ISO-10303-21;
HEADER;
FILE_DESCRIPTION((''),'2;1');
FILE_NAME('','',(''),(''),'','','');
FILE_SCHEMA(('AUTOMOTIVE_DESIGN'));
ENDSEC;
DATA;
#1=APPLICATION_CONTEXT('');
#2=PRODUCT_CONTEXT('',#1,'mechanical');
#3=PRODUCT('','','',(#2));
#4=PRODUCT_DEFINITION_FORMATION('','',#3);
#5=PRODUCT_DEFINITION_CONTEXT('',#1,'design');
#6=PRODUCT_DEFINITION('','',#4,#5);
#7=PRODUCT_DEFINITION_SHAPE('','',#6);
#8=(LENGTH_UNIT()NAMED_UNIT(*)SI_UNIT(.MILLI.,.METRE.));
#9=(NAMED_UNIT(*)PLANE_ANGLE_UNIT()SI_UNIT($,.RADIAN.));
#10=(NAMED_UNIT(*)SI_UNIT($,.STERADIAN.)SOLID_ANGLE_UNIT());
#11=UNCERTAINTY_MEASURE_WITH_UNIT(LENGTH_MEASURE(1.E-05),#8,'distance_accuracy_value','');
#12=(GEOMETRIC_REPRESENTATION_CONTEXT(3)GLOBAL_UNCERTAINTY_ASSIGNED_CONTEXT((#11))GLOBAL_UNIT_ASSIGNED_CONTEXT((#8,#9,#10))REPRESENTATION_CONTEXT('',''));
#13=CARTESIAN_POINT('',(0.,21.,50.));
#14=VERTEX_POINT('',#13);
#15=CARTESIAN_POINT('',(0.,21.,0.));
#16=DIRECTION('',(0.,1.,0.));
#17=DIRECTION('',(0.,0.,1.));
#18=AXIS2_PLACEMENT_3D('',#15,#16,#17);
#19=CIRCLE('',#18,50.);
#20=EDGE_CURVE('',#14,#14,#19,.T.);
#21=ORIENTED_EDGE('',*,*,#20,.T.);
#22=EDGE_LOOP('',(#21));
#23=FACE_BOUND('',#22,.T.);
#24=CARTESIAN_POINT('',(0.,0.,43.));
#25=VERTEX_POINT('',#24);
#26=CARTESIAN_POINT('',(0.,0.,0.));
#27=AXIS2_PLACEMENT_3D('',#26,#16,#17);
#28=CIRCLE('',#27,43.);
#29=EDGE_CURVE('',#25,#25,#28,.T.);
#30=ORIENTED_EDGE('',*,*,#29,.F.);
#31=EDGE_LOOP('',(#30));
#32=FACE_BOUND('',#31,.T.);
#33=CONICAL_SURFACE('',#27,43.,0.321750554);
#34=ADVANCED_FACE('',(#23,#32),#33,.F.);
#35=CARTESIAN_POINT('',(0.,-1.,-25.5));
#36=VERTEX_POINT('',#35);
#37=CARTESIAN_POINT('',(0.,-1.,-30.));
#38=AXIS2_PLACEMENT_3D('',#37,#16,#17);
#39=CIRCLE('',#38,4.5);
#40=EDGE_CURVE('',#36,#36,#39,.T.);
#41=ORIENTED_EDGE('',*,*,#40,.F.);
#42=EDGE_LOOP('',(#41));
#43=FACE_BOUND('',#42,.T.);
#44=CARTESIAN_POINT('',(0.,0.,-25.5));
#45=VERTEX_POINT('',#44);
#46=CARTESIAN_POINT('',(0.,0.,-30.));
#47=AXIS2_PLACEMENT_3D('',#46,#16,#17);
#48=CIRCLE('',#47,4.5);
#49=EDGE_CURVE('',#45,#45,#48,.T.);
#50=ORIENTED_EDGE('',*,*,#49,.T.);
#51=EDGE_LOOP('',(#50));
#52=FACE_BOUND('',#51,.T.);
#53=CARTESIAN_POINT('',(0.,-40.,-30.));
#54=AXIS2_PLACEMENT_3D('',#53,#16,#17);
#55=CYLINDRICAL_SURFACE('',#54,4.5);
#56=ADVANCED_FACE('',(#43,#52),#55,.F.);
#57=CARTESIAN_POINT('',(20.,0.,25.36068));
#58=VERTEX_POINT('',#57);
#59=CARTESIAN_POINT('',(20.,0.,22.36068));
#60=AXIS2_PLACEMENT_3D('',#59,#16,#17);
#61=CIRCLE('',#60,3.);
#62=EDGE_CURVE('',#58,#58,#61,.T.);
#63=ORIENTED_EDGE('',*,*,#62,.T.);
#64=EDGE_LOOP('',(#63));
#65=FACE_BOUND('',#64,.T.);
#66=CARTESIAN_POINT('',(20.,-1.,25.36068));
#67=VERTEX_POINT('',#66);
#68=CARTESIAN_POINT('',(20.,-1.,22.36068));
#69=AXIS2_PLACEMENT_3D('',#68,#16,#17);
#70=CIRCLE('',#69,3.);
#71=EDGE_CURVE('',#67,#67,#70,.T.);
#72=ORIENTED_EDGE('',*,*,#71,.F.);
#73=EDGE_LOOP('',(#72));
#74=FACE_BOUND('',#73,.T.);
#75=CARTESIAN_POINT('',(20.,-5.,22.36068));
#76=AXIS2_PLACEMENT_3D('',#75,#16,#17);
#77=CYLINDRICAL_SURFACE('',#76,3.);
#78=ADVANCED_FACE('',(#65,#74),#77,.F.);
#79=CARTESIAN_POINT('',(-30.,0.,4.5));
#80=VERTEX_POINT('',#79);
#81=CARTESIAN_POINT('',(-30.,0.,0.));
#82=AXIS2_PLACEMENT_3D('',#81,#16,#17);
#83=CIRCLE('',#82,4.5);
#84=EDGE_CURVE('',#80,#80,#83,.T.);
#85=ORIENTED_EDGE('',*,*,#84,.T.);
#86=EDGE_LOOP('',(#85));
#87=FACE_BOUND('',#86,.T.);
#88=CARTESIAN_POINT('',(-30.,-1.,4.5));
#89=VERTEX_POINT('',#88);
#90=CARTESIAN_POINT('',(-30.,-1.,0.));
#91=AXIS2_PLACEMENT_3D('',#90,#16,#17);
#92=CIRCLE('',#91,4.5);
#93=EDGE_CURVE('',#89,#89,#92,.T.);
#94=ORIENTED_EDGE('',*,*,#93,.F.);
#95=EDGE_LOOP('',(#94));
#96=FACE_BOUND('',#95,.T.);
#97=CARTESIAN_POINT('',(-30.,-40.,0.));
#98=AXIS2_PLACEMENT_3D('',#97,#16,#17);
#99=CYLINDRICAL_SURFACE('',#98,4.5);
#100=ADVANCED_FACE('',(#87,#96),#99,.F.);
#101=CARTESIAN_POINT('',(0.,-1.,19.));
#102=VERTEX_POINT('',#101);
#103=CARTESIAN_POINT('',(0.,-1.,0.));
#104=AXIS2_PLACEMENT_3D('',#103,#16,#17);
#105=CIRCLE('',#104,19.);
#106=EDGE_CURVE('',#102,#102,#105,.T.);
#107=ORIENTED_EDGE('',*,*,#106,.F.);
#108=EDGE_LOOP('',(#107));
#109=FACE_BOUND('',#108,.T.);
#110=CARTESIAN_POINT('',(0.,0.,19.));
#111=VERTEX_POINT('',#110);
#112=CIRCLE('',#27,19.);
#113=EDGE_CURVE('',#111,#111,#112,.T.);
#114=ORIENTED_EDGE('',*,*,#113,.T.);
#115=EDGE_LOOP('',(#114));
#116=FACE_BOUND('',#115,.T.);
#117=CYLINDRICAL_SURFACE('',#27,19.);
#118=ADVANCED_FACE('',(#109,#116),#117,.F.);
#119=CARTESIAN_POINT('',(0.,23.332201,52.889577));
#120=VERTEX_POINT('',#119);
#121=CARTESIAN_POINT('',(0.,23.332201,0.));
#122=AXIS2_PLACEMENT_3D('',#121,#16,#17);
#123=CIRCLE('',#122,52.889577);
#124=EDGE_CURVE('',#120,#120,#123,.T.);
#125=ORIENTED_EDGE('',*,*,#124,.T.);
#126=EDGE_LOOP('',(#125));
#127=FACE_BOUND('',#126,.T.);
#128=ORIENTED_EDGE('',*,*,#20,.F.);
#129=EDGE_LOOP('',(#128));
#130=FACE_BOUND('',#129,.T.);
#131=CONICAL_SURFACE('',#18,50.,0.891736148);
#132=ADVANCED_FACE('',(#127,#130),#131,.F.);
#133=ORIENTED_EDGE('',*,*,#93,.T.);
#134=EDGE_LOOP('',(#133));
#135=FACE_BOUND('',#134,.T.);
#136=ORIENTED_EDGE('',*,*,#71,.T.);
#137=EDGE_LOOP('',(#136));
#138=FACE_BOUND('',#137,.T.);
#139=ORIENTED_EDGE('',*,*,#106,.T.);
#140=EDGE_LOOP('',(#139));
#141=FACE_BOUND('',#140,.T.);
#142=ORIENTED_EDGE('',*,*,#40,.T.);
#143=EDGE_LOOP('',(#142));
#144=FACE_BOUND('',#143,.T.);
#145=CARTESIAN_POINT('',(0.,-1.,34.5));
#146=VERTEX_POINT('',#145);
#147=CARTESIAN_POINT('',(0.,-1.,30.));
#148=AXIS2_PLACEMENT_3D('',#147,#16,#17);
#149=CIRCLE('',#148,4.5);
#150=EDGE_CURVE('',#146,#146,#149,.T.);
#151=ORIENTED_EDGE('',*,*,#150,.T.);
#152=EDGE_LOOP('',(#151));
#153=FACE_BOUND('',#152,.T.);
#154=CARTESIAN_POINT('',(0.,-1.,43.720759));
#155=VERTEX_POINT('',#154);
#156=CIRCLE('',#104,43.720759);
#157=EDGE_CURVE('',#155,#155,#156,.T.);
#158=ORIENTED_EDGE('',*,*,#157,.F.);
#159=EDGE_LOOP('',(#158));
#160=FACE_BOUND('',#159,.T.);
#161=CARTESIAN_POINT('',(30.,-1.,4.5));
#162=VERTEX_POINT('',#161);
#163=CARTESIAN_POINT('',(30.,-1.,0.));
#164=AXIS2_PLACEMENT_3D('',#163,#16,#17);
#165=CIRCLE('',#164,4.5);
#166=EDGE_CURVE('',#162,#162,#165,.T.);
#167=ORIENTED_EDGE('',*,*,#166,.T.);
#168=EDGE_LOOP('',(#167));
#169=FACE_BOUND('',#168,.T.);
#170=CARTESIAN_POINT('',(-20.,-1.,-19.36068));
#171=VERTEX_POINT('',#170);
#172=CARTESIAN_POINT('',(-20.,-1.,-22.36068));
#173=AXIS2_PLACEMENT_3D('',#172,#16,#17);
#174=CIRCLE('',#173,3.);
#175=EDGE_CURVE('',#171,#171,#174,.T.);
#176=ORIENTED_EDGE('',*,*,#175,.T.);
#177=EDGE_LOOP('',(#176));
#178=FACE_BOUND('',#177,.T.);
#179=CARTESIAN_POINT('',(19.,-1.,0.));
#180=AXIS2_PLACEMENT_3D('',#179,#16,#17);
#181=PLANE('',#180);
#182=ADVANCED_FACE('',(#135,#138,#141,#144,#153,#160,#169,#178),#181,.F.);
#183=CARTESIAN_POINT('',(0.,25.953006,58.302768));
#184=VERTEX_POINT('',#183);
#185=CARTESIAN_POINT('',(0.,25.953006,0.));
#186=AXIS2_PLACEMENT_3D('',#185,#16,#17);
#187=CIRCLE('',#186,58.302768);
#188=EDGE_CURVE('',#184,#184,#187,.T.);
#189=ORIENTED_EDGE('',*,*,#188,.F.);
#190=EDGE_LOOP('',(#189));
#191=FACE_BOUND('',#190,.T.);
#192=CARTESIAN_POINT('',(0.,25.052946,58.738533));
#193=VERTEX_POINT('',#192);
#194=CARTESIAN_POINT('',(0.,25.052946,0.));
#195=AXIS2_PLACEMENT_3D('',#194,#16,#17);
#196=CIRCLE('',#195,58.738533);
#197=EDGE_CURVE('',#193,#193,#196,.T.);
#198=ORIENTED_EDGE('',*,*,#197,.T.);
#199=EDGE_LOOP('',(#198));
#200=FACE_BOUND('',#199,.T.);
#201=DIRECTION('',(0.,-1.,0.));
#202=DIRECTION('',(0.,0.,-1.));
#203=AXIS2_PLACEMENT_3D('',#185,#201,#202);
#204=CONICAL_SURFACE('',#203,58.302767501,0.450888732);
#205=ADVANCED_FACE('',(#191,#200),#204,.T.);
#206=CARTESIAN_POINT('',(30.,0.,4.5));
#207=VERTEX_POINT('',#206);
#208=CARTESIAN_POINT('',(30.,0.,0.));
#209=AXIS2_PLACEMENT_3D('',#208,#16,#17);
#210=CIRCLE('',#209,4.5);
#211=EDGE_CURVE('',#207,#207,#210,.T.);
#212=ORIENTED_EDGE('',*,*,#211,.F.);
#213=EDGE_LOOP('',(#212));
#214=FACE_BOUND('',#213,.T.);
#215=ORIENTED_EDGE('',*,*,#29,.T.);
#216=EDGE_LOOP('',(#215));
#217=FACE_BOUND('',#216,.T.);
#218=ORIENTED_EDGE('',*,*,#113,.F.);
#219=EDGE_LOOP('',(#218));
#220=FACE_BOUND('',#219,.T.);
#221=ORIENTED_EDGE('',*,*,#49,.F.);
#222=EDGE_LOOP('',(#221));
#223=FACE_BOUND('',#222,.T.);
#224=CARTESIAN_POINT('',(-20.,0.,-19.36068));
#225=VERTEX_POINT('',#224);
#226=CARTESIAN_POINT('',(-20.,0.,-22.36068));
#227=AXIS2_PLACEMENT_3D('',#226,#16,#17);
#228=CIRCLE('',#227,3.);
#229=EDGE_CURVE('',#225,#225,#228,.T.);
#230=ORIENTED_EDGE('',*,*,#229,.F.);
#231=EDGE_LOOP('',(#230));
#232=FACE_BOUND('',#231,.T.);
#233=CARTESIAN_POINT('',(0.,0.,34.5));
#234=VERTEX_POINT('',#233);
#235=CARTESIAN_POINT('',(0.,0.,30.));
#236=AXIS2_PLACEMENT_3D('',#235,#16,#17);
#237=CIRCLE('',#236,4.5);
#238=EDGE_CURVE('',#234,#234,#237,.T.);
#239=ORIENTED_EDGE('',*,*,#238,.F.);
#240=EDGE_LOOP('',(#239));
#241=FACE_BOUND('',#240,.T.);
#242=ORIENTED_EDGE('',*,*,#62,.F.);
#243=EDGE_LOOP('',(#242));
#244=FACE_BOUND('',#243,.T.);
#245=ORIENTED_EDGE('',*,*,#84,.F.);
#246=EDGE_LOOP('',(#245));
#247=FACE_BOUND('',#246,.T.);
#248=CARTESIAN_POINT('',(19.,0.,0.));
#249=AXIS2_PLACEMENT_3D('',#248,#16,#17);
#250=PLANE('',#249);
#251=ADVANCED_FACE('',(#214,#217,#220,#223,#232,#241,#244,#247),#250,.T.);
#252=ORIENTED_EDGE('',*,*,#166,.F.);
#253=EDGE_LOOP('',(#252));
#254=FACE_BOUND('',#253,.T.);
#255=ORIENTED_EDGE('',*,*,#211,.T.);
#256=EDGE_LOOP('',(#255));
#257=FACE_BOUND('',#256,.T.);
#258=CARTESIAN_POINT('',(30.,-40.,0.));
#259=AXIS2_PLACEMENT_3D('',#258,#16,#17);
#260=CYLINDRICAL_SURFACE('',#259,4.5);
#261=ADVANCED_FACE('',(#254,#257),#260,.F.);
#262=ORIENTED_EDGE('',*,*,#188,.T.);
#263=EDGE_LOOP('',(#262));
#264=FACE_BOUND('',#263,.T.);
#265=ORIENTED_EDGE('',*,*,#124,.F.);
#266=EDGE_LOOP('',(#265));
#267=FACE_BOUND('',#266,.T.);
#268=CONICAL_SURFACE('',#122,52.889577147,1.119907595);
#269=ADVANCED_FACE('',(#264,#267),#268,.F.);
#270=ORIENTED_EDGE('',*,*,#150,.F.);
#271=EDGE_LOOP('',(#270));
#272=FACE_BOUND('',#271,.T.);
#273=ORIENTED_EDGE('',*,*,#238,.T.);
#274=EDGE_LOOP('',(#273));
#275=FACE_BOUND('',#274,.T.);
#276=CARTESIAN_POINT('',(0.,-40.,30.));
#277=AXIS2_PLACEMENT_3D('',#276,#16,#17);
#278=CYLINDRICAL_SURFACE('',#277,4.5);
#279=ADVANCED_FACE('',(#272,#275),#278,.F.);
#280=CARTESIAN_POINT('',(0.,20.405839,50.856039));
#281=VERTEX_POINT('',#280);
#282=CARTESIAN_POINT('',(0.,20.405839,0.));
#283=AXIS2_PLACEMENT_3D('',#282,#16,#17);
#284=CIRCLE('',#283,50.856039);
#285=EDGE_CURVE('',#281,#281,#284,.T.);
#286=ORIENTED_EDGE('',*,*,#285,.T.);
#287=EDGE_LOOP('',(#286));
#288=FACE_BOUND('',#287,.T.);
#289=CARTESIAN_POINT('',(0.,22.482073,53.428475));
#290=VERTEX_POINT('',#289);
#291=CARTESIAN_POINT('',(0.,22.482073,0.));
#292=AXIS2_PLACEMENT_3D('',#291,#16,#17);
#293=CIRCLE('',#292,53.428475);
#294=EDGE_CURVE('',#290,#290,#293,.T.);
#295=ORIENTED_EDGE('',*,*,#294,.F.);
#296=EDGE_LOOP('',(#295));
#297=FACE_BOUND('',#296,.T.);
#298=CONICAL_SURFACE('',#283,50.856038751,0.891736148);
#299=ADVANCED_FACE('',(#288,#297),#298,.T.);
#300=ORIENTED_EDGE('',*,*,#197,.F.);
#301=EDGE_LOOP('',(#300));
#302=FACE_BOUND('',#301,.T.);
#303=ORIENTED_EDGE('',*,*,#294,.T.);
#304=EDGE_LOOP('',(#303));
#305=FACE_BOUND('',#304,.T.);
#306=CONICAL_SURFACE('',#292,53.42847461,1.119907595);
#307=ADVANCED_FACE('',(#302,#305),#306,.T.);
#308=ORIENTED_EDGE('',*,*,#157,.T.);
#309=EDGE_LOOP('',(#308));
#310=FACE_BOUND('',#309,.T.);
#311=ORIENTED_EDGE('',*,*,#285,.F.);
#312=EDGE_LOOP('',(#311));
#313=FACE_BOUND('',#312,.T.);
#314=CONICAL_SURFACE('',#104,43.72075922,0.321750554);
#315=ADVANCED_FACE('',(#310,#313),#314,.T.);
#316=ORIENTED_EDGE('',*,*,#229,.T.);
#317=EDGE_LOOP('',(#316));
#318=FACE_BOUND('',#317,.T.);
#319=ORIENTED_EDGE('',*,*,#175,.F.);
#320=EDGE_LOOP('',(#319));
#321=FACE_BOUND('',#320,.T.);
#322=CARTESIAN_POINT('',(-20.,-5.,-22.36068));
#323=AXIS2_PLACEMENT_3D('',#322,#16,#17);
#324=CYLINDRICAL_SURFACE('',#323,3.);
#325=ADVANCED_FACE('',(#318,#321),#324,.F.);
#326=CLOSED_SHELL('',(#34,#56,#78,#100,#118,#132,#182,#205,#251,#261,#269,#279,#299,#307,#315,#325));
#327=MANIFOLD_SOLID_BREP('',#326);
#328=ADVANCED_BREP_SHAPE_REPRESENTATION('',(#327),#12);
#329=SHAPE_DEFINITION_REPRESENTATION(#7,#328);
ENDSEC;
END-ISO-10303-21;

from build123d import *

# Parameters (mm, degrees)
SKETCH_2_R          = 4.5
CUT_EXTRUDE_1_DEPTH = 40
SKETCH_3_R          = 3
CUT_EXTRUDE_2_DEPTH = 5


with BuildPart() as part:
    # Эскиз1 → Повернуть-Тонкостенный1 (revolve)
    with BuildSketch(Plane.XY, mode=Mode.PRIVATE) as revolve_1_sk:
        Polygon((19, 0), (43, 0), (50, 21), (52.889577147, 23.332201276), (58.302767501, 25.953006302), (58.738533119, 25.052946123), (53.42847461, 22.482072549), (50.856038751, 20.405838593), (43.72075922, -1), (19, -1), align=None)
    revolve(revolve_1_sk.sketch.rotate(Axis((0, 0, 0), (0, -1, 0)), 90), axis=Axis((0, 0, 0), (0, -1, 0)))

    # Эскиз2 → Вытянуть1 (cut, symmetric)
    with BuildSketch(Plane(origin=(0, 0, 0), x_dir=(1, 0, 0), z_dir=(0, 1, 0))):
        with Locations(Location((30, 0, 0), (0, 0, 270))):
            Circle(SKETCH_2_R)
        with Locations(Location((-30, 0, 0), (0, 0, 270))):
            Circle(SKETCH_2_R)
        with Locations(Location((0, 30, 0), (0, 0, 270))):
            Circle(SKETCH_2_R)
        with Locations(Location((0, -30, 0), (0, 0, 270))):
            Circle(SKETCH_2_R)
    extrude(amount=CUT_EXTRUDE_1_DEPTH, both=True, mode=Mode.SUBTRACT)

    # Эскиз3 → Вытянуть2 (cut, symmetric)
    with BuildSketch(Plane(origin=(0, 0, 0), x_dir=(1, 0, 0), z_dir=(0, 1, 0))):
        with Locations(Location((20, -22.360679775, 0), (0, 0, 270))):
            Circle(SKETCH_3_R)
        with Locations(Location((-20, 22.360679775, 0), (0, 0, 270))):
            Circle(SKETCH_3_R)
    extrude(amount=CUT_EXTRUDE_2_DEPTH, both=True, mode=Mode.SUBTRACT)


solid = part.part
